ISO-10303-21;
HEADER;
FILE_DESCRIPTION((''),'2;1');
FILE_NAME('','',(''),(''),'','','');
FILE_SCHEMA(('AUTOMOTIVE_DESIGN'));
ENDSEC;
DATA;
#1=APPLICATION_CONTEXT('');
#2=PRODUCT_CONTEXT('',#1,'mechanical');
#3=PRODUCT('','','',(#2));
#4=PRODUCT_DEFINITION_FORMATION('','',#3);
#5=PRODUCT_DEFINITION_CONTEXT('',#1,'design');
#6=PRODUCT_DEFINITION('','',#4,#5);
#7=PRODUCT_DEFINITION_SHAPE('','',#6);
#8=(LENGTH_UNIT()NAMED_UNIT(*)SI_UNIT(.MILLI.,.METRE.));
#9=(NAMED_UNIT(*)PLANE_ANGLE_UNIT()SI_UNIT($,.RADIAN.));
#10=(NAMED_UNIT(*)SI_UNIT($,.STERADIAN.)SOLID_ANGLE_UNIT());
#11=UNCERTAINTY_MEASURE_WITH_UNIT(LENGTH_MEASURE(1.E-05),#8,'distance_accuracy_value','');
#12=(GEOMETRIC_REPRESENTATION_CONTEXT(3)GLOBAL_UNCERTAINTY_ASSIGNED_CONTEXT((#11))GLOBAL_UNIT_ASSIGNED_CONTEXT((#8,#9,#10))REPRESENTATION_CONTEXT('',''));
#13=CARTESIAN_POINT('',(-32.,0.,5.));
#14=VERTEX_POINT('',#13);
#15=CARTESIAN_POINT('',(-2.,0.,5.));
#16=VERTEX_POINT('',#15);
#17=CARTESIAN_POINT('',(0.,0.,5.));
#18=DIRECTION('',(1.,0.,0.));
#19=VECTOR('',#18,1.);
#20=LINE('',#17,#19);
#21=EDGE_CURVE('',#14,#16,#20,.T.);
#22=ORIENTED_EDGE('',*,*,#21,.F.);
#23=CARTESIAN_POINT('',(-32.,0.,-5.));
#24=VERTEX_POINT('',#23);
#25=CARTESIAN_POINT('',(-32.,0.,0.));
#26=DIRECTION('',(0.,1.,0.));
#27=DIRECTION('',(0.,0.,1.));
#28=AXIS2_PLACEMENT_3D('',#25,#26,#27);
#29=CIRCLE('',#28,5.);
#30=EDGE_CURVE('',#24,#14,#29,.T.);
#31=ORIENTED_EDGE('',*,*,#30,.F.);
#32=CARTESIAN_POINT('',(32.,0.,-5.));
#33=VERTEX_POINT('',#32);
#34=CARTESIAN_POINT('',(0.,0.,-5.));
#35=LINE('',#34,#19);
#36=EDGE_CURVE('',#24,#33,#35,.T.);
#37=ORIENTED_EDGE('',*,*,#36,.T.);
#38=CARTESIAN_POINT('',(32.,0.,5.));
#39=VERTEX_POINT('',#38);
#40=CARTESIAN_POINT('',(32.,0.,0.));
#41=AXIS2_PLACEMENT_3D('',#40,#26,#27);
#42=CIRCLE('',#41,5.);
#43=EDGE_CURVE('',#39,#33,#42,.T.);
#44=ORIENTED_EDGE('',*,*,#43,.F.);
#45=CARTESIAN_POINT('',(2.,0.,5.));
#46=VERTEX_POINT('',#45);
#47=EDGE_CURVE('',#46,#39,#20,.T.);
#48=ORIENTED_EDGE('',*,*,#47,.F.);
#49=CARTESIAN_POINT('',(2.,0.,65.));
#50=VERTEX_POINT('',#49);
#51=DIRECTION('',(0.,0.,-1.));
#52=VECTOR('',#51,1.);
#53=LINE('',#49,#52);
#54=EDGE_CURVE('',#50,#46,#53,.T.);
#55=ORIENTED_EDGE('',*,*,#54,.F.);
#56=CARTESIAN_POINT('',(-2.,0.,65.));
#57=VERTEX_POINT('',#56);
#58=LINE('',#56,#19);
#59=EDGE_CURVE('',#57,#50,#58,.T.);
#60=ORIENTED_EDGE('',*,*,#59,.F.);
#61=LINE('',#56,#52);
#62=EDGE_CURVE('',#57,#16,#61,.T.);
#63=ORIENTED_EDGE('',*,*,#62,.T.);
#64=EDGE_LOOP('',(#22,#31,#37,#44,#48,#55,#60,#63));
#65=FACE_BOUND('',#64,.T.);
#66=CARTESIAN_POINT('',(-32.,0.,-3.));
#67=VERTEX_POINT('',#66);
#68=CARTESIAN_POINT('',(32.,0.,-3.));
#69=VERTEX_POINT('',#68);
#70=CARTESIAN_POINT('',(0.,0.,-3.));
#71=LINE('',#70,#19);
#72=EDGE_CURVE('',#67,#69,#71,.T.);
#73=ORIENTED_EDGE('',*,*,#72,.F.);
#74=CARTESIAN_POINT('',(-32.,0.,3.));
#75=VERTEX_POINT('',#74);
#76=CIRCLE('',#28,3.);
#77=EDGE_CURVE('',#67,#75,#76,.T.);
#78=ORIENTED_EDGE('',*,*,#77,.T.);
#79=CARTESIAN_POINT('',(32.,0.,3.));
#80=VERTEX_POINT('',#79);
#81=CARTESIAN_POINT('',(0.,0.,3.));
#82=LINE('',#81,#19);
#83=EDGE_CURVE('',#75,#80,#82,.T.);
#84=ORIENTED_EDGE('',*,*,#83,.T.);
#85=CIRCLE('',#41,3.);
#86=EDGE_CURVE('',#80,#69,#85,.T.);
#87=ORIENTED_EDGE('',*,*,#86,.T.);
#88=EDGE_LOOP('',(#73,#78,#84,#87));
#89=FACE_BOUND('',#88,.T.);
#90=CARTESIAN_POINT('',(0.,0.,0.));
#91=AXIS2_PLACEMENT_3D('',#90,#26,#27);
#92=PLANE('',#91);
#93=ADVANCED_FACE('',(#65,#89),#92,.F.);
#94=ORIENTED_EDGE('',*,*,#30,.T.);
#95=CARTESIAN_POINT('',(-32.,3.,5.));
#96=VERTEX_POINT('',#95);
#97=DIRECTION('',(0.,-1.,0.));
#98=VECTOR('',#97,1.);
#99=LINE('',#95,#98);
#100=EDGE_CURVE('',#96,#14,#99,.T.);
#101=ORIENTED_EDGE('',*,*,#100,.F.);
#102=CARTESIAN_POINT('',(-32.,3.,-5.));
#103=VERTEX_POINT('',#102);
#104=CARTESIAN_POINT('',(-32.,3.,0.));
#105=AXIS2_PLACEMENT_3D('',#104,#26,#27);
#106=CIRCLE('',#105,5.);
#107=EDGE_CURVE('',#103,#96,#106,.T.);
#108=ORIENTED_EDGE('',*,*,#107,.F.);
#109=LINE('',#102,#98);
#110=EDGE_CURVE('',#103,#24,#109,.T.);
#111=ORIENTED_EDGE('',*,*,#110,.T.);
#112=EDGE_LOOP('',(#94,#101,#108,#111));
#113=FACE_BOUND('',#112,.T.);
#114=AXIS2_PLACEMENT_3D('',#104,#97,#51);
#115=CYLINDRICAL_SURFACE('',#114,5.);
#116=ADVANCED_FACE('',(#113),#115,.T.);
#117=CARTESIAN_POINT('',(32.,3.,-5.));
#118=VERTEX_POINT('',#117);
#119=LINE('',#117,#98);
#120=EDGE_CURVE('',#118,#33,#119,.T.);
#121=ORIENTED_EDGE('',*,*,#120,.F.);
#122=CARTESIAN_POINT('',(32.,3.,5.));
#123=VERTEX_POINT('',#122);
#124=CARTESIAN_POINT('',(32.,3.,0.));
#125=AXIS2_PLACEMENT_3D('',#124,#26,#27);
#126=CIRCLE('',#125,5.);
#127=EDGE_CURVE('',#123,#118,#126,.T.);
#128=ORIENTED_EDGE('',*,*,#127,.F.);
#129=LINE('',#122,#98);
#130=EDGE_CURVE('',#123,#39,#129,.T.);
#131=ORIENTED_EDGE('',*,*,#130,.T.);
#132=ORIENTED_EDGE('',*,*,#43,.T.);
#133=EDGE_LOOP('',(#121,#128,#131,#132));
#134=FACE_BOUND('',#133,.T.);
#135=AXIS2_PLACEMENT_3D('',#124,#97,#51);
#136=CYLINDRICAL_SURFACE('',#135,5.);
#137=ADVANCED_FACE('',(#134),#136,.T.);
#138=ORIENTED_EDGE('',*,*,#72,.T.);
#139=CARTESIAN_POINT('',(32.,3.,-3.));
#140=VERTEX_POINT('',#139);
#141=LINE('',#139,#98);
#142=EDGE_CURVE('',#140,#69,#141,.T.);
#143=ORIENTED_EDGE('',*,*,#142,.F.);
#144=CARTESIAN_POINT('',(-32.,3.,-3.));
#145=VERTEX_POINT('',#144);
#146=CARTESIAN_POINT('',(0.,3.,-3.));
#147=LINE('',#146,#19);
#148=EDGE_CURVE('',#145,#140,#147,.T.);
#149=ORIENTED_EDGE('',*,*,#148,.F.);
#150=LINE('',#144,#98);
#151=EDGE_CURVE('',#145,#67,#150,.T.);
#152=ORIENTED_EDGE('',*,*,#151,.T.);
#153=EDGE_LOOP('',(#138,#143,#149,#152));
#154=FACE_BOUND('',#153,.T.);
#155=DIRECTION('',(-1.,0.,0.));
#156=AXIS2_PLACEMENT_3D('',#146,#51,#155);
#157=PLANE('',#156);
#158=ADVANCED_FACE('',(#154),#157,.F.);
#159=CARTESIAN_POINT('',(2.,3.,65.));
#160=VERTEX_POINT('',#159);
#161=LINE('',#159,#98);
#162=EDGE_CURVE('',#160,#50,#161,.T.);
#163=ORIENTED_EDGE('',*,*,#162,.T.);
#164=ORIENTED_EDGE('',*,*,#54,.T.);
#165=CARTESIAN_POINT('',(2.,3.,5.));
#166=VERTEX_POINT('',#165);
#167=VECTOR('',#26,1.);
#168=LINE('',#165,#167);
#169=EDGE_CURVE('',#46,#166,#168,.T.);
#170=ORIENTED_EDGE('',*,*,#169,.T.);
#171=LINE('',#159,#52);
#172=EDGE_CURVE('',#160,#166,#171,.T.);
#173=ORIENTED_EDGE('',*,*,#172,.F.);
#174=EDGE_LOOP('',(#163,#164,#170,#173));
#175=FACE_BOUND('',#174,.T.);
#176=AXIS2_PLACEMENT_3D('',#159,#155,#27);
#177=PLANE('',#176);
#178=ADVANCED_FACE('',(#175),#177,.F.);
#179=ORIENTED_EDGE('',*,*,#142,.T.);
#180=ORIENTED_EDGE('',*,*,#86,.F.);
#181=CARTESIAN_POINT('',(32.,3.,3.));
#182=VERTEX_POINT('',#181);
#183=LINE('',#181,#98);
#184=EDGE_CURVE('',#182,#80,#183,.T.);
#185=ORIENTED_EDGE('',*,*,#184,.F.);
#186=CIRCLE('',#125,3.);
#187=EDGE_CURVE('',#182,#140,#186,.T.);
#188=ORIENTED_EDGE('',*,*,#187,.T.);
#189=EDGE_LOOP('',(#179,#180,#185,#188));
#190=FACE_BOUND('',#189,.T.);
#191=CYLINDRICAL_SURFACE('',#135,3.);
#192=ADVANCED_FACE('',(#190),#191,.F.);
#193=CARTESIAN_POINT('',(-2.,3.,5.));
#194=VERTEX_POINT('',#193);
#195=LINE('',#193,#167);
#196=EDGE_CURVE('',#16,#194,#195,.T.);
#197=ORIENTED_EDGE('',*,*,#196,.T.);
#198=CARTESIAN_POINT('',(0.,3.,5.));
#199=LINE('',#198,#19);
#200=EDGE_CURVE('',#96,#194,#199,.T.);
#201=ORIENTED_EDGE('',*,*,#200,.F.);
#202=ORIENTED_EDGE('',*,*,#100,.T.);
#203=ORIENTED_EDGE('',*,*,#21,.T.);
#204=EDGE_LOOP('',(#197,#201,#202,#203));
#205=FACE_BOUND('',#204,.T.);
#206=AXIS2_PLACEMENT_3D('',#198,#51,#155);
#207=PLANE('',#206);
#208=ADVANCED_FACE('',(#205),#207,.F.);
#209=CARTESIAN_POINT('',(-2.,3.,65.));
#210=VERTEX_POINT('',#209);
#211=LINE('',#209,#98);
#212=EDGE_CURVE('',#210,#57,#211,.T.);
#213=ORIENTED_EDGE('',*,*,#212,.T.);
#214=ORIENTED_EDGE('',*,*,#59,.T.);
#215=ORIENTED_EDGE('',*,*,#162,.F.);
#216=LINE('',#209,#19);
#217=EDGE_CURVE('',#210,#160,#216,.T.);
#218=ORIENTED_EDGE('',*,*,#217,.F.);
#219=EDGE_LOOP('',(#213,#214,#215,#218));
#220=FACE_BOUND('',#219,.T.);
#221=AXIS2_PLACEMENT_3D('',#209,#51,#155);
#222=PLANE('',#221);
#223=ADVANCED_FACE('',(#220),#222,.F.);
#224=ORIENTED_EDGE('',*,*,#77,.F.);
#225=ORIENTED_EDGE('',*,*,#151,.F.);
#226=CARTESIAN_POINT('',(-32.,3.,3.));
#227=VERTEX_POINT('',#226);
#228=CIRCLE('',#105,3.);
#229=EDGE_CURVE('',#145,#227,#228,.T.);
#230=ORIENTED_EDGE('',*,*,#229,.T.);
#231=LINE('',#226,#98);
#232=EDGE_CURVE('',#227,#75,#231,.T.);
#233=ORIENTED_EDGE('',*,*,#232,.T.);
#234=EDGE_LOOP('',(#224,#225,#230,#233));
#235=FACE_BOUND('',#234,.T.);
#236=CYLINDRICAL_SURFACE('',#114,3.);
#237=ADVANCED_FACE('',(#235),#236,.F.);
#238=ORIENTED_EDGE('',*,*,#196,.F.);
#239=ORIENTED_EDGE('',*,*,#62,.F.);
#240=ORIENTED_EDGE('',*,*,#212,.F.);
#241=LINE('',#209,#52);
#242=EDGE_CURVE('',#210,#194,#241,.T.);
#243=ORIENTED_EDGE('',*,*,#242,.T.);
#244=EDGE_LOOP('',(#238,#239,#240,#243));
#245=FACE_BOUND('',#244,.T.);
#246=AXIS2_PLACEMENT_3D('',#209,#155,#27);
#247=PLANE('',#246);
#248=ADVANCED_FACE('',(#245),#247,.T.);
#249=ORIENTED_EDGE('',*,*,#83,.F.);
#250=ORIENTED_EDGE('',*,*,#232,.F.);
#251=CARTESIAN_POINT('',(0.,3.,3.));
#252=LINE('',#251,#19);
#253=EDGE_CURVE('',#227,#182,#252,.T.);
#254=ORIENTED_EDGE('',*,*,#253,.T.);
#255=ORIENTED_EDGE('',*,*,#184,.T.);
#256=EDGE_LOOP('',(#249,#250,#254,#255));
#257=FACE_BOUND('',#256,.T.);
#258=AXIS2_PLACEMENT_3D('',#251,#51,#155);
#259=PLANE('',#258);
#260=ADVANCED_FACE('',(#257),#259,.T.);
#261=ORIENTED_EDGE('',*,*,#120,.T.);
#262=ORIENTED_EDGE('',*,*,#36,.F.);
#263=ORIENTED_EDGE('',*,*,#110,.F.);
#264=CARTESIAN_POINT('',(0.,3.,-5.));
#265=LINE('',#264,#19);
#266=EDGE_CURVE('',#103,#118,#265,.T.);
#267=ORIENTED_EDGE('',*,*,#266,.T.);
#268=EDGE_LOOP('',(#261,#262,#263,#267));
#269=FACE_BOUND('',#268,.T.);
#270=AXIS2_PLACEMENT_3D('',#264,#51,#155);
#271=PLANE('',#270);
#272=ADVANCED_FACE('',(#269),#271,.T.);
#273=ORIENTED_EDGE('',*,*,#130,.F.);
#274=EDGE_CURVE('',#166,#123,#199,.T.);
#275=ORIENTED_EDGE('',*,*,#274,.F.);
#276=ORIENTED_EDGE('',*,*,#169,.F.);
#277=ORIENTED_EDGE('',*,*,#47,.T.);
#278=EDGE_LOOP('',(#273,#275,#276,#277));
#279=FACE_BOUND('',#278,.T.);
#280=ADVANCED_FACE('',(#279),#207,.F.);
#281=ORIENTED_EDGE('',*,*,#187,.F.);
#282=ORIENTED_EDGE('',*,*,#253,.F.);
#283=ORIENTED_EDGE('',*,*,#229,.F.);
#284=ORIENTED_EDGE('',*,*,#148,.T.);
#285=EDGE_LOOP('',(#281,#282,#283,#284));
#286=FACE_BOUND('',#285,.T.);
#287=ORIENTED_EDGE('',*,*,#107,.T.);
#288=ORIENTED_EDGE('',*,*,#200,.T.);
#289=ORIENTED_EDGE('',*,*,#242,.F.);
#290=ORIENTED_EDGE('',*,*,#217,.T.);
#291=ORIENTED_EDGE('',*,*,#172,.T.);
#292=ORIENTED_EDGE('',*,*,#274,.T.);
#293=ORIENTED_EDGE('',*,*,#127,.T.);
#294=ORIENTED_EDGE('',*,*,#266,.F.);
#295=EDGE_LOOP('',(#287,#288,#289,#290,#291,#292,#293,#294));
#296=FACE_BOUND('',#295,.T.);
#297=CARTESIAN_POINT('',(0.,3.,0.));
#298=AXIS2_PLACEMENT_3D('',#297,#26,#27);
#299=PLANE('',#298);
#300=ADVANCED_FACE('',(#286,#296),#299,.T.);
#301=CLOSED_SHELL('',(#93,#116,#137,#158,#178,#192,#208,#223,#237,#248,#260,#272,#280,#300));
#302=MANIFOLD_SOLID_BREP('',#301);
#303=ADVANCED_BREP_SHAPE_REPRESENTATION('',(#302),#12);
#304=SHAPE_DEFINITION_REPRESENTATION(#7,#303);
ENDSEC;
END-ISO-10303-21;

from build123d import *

# Parameters (mm, degrees)
SKETCH2_W           = 4
SKETCH2_H           = 60
BOSS_EXTRUDE1_DEPTH = 3


with BuildPart() as part:
    # Sketch2 → Boss-Extrude1 (new body)
    # profile 1 of 2: a face of its own
    with BuildSketch(Plane(origin=(0, 0, 0), x_dir=(1, 0, 0), z_dir=(0, 1, 0))):
        with BuildLine():
            Line((-32, 5), (32, 5))
            ThreePointArc((32, 5), (37, 0), (32, -5))
            Line((32, -5), (-32, -5))
            ThreePointArc((-32, -5), (-37, 0), (-32, 5))
        make_face()
        with BuildLine():
            ThreePointArc((32, -3), (35, 0), (32, 3))
            Line((32, 3), (-32, 3))
            ThreePointArc((-32, 3), (-35, 0), (-32, -3))
            Line((-32, -3), (32, -3))
        make_face(mode=Mode.SUBTRACT)
    # profile 2 of 2: a face of its own
    with BuildSketch(Plane(origin=(0, 0, 0), x_dir=(1, 0, 0), z_dir=(0, 1, 0))):
        with Locations((0, -35)):
            Rectangle(SKETCH2_W, SKETCH2_H)
    extrude(amount=BOSS_EXTRUDE1_DEPTH)


solid = part.part
